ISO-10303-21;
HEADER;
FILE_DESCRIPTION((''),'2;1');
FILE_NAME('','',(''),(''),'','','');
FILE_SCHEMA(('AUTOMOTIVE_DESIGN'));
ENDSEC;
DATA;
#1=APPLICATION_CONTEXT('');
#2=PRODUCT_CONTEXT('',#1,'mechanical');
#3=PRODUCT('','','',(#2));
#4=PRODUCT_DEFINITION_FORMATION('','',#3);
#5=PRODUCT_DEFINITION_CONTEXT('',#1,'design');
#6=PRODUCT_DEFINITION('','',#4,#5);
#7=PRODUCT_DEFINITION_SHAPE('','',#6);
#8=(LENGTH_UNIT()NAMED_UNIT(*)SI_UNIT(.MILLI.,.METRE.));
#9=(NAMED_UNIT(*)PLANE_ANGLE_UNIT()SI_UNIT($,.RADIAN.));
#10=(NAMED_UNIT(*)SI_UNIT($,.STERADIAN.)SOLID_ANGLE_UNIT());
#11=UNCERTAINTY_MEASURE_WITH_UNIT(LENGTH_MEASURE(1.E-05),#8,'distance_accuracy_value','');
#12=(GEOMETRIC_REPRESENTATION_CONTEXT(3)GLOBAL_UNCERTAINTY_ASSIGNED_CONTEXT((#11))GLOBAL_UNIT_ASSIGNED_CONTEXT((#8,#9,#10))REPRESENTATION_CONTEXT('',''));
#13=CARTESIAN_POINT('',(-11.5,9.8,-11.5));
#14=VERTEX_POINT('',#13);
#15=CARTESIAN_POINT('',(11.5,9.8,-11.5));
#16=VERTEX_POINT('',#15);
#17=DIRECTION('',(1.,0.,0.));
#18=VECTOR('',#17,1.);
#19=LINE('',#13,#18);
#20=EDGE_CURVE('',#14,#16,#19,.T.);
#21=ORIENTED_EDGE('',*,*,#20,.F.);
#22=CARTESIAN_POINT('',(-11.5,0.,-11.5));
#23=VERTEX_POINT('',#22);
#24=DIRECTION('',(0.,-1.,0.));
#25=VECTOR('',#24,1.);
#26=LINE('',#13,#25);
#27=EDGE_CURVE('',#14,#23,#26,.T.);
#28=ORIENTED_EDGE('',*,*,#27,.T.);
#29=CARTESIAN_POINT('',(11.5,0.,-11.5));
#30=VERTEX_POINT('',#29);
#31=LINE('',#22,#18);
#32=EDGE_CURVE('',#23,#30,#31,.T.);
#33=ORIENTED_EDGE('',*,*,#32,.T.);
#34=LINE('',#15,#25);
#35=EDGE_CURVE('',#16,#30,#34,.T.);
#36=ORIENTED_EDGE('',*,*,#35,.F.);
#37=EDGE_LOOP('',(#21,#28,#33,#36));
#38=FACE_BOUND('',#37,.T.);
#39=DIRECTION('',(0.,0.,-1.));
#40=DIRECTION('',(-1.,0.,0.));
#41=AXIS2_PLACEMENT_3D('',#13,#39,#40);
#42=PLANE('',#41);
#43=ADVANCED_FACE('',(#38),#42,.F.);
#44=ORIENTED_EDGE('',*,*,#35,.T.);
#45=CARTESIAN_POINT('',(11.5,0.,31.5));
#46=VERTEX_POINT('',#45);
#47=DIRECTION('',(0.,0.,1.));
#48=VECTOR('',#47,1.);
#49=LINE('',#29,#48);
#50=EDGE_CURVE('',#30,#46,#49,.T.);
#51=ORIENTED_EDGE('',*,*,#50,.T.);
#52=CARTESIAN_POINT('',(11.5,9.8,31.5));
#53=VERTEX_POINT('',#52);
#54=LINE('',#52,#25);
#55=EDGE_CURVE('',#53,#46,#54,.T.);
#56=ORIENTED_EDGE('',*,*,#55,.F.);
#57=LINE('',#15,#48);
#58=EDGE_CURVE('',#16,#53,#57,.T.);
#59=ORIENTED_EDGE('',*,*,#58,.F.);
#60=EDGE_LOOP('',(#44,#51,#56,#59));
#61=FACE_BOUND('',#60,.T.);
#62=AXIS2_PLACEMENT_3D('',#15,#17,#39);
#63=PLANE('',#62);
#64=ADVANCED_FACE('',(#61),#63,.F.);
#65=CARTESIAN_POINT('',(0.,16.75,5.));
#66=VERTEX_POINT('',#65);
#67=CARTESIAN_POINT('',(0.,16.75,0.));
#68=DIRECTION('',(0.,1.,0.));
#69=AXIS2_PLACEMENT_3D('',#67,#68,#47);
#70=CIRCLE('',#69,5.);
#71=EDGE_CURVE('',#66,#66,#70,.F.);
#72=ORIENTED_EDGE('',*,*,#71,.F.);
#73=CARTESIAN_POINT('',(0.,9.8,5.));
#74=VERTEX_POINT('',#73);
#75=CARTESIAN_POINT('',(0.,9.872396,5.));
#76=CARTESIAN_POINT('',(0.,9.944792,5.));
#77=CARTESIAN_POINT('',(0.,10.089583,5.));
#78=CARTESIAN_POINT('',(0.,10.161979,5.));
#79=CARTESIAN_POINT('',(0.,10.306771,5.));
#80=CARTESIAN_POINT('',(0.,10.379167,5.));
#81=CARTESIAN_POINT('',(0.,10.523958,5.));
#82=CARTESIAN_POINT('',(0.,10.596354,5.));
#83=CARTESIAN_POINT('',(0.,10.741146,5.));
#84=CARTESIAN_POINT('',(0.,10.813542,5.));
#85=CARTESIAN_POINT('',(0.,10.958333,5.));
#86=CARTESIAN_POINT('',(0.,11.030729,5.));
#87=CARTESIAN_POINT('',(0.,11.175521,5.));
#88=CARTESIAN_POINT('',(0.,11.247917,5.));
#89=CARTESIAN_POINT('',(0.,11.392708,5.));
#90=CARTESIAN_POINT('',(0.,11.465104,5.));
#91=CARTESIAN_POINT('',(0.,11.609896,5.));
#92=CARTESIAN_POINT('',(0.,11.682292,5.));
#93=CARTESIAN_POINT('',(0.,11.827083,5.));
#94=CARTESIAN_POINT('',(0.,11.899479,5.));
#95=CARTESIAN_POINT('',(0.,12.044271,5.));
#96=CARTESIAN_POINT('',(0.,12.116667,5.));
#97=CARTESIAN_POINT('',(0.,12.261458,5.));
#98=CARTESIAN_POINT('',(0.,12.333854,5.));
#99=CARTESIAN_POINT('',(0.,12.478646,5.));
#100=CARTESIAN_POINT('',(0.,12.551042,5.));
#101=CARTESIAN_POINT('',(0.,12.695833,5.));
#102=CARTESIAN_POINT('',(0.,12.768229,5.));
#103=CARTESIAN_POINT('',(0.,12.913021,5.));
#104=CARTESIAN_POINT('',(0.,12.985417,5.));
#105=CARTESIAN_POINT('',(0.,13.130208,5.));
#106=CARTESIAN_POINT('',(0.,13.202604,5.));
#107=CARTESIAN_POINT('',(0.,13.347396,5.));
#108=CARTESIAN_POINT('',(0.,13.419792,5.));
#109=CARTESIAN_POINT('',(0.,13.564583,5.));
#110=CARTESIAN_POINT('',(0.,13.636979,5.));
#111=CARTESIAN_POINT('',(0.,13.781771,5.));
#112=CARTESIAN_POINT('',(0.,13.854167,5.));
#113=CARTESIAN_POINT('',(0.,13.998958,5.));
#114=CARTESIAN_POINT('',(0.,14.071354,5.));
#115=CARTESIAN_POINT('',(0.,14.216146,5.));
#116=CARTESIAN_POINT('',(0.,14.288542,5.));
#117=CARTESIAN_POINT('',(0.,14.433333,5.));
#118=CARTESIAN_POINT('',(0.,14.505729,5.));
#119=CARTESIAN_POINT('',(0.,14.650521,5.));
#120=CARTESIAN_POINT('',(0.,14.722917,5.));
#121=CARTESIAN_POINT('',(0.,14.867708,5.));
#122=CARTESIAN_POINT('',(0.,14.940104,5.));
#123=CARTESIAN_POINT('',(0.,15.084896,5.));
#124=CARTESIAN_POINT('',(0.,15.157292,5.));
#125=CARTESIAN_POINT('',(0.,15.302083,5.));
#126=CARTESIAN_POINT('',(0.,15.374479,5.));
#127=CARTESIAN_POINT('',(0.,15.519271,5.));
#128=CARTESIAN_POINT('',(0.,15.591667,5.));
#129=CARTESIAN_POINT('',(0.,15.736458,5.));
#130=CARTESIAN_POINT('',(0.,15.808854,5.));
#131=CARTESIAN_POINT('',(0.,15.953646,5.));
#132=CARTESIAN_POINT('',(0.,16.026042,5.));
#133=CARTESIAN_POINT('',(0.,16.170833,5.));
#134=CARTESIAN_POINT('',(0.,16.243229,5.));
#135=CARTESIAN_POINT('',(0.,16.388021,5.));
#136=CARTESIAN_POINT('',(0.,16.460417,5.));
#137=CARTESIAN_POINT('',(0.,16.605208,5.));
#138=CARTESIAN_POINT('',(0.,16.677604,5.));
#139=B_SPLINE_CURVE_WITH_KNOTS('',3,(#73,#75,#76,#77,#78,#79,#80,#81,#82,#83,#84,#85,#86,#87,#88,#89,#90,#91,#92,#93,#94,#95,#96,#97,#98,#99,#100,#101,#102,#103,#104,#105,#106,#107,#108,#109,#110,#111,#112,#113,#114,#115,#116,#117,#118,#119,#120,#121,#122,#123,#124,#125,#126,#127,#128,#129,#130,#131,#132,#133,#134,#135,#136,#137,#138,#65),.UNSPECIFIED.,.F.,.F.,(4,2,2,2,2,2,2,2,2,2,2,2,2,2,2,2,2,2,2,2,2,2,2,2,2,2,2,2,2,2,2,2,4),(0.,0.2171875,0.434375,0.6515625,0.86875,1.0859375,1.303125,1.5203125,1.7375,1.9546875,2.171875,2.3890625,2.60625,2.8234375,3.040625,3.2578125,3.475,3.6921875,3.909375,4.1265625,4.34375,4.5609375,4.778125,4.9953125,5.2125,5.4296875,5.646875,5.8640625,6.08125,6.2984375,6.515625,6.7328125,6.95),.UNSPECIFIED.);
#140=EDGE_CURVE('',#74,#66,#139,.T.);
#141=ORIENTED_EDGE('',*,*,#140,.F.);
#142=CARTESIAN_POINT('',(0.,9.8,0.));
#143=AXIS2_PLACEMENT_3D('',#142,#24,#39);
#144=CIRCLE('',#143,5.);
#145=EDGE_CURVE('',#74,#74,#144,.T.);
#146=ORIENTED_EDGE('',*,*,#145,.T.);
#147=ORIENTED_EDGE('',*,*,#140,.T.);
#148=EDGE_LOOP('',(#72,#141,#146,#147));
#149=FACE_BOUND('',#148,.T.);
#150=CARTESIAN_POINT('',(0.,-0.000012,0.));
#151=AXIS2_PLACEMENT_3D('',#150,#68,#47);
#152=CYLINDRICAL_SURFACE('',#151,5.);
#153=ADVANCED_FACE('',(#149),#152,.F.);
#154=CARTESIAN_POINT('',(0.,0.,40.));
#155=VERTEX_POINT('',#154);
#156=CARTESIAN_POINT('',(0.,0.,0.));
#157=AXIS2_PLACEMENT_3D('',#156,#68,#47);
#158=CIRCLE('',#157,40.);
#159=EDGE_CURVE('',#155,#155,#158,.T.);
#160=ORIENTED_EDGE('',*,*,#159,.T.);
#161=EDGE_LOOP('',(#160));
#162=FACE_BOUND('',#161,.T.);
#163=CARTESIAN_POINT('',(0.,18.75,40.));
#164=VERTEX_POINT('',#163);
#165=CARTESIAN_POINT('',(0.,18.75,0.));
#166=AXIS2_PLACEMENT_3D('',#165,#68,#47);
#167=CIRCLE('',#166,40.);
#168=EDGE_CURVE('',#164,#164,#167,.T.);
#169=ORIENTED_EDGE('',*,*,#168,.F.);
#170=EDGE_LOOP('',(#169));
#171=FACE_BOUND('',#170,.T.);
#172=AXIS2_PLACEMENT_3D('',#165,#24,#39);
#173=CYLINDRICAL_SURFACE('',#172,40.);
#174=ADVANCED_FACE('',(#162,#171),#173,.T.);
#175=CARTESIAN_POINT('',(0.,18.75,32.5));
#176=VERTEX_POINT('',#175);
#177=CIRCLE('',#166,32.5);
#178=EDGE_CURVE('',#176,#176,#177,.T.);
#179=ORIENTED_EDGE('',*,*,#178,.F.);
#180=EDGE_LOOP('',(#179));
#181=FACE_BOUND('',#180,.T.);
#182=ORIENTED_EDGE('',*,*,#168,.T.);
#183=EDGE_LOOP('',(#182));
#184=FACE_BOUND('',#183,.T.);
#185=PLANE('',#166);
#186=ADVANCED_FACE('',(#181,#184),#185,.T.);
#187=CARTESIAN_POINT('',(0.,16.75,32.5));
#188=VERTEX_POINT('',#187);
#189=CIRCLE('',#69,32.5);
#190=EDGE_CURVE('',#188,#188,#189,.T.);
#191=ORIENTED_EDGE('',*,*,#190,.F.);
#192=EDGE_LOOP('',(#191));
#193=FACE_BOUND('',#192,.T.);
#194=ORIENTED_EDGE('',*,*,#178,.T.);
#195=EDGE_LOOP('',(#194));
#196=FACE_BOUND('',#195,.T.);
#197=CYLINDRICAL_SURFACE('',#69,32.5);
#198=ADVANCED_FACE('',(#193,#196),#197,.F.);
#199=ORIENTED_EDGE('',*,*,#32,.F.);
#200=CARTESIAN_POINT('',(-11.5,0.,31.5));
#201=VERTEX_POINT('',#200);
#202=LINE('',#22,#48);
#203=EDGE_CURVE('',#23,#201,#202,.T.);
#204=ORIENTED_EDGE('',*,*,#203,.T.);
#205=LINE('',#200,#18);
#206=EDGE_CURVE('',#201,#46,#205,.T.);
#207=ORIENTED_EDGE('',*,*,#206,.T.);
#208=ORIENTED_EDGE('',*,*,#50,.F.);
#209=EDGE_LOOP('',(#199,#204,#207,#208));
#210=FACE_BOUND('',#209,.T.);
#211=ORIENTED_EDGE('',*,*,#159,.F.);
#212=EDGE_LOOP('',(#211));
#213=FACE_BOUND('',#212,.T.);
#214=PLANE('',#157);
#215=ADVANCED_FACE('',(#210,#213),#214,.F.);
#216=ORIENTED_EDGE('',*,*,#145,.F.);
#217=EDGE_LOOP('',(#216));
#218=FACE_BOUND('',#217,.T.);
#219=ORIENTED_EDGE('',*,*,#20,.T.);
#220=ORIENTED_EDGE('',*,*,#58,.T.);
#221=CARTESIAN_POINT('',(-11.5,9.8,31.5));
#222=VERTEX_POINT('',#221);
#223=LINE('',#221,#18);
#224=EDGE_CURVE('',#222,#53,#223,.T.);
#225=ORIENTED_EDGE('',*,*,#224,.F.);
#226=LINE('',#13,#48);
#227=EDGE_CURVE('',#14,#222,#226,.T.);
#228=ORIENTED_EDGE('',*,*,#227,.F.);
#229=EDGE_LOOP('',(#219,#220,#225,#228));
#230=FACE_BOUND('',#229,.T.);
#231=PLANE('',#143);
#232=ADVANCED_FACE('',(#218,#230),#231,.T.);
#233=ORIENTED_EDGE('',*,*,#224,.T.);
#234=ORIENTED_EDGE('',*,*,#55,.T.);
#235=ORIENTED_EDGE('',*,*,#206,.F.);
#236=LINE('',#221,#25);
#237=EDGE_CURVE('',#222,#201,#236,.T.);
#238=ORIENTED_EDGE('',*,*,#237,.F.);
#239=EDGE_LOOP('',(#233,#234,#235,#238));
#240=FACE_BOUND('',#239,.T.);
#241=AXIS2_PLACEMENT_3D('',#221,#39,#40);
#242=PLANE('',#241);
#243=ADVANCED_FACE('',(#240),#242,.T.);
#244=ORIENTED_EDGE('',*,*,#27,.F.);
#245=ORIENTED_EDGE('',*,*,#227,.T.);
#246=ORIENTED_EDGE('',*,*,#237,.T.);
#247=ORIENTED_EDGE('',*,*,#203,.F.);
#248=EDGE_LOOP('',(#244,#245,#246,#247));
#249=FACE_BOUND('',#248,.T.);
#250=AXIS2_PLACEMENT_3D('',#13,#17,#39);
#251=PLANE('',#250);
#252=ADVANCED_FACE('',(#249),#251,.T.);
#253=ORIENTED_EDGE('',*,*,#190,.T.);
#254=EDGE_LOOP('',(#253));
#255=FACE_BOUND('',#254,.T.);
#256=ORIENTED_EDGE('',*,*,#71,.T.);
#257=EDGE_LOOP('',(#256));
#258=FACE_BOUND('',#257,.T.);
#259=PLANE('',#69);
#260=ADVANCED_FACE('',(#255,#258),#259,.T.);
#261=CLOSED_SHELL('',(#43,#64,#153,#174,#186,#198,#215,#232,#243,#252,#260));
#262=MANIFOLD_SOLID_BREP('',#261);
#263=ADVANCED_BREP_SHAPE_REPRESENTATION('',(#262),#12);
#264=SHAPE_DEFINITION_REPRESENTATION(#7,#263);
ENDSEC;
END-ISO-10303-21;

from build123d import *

# Parameters (mm, degrees)
SKETCH1_R               = 40
BOSS_EXTRUDE1_DEPTH     = 18.75
SKETCH1_3_W             = 23
SKETCH1_3_H             = 43
CUT_EXTRUDE1_DEPTH      = 9.8
CUT_EXTRUDE2_DEPTH      = 60.594987205
CUT_EXTRUDE2_DEPTH_BACK = 60.594987205
SKETCH1_4_R             = 5
CUT_EXTRUDE3_START      = 18.75
SKETCH1_5_R             = 32.5
CUT_EXTRUDE3_DEPTH      = 2


with BuildPart() as part:
    # Sketch1 → Boss-Extrude1 (new body)
    with BuildSketch(Plane(origin=(0, 0, 0), x_dir=(1, 0, 0), z_dir=(0, 1, 0))):
        with Locations(Location((0, 0, 0), (0, 0, 270))):
            Circle(SKETCH1_R)
    extrude(amount=BOSS_EXTRUDE1_DEPTH)

    # Sketch1<3> → Cut-Extrude1 (cut)
    with BuildSketch(Plane(origin=(0, 0, 0), x_dir=(1, 0, 0), z_dir=(0, 1, 0))):
        with Locations((0, -10)):
            Rectangle(SKETCH1_3_W, SKETCH1_3_H)
    extrude(amount=CUT_EXTRUDE1_DEPTH, mode=Mode.SUBTRACT)

    # Sketch1<4> → Cut-Extrude2 (cut, two sides: drawn at the far end of the back side and taken through both)
    with BuildSketch(Plane(origin=(0, 0, 0), x_dir=(1, 0, 0), z_dir=(0, 1, 0)).offset(-CUT_EXTRUDE2_DEPTH_BACK)):
        with Locations(Location((0, 0, 0), (0, 0, 270))):
            Circle(SKETCH1_4_R)
    extrude(amount=CUT_EXTRUDE2_DEPTH + CUT_EXTRUDE2_DEPTH_BACK, mode=Mode.SUBTRACT)

    # Sketch1<5> → Cut-Extrude3 (cut)
    with BuildSketch(Plane(origin=(0, 0, 0), x_dir=(1, 0, 0), z_dir=(0, 1, 0)).offset(CUT_EXTRUDE3_START)):
        with Locations(Location((0, 0, 0), (0, 0, 270))):
            Circle(SKETCH1_5_R)
    extrude(amount=-CUT_EXTRUDE3_DEPTH, mode=Mode.SUBTRACT)


solid = part.part
